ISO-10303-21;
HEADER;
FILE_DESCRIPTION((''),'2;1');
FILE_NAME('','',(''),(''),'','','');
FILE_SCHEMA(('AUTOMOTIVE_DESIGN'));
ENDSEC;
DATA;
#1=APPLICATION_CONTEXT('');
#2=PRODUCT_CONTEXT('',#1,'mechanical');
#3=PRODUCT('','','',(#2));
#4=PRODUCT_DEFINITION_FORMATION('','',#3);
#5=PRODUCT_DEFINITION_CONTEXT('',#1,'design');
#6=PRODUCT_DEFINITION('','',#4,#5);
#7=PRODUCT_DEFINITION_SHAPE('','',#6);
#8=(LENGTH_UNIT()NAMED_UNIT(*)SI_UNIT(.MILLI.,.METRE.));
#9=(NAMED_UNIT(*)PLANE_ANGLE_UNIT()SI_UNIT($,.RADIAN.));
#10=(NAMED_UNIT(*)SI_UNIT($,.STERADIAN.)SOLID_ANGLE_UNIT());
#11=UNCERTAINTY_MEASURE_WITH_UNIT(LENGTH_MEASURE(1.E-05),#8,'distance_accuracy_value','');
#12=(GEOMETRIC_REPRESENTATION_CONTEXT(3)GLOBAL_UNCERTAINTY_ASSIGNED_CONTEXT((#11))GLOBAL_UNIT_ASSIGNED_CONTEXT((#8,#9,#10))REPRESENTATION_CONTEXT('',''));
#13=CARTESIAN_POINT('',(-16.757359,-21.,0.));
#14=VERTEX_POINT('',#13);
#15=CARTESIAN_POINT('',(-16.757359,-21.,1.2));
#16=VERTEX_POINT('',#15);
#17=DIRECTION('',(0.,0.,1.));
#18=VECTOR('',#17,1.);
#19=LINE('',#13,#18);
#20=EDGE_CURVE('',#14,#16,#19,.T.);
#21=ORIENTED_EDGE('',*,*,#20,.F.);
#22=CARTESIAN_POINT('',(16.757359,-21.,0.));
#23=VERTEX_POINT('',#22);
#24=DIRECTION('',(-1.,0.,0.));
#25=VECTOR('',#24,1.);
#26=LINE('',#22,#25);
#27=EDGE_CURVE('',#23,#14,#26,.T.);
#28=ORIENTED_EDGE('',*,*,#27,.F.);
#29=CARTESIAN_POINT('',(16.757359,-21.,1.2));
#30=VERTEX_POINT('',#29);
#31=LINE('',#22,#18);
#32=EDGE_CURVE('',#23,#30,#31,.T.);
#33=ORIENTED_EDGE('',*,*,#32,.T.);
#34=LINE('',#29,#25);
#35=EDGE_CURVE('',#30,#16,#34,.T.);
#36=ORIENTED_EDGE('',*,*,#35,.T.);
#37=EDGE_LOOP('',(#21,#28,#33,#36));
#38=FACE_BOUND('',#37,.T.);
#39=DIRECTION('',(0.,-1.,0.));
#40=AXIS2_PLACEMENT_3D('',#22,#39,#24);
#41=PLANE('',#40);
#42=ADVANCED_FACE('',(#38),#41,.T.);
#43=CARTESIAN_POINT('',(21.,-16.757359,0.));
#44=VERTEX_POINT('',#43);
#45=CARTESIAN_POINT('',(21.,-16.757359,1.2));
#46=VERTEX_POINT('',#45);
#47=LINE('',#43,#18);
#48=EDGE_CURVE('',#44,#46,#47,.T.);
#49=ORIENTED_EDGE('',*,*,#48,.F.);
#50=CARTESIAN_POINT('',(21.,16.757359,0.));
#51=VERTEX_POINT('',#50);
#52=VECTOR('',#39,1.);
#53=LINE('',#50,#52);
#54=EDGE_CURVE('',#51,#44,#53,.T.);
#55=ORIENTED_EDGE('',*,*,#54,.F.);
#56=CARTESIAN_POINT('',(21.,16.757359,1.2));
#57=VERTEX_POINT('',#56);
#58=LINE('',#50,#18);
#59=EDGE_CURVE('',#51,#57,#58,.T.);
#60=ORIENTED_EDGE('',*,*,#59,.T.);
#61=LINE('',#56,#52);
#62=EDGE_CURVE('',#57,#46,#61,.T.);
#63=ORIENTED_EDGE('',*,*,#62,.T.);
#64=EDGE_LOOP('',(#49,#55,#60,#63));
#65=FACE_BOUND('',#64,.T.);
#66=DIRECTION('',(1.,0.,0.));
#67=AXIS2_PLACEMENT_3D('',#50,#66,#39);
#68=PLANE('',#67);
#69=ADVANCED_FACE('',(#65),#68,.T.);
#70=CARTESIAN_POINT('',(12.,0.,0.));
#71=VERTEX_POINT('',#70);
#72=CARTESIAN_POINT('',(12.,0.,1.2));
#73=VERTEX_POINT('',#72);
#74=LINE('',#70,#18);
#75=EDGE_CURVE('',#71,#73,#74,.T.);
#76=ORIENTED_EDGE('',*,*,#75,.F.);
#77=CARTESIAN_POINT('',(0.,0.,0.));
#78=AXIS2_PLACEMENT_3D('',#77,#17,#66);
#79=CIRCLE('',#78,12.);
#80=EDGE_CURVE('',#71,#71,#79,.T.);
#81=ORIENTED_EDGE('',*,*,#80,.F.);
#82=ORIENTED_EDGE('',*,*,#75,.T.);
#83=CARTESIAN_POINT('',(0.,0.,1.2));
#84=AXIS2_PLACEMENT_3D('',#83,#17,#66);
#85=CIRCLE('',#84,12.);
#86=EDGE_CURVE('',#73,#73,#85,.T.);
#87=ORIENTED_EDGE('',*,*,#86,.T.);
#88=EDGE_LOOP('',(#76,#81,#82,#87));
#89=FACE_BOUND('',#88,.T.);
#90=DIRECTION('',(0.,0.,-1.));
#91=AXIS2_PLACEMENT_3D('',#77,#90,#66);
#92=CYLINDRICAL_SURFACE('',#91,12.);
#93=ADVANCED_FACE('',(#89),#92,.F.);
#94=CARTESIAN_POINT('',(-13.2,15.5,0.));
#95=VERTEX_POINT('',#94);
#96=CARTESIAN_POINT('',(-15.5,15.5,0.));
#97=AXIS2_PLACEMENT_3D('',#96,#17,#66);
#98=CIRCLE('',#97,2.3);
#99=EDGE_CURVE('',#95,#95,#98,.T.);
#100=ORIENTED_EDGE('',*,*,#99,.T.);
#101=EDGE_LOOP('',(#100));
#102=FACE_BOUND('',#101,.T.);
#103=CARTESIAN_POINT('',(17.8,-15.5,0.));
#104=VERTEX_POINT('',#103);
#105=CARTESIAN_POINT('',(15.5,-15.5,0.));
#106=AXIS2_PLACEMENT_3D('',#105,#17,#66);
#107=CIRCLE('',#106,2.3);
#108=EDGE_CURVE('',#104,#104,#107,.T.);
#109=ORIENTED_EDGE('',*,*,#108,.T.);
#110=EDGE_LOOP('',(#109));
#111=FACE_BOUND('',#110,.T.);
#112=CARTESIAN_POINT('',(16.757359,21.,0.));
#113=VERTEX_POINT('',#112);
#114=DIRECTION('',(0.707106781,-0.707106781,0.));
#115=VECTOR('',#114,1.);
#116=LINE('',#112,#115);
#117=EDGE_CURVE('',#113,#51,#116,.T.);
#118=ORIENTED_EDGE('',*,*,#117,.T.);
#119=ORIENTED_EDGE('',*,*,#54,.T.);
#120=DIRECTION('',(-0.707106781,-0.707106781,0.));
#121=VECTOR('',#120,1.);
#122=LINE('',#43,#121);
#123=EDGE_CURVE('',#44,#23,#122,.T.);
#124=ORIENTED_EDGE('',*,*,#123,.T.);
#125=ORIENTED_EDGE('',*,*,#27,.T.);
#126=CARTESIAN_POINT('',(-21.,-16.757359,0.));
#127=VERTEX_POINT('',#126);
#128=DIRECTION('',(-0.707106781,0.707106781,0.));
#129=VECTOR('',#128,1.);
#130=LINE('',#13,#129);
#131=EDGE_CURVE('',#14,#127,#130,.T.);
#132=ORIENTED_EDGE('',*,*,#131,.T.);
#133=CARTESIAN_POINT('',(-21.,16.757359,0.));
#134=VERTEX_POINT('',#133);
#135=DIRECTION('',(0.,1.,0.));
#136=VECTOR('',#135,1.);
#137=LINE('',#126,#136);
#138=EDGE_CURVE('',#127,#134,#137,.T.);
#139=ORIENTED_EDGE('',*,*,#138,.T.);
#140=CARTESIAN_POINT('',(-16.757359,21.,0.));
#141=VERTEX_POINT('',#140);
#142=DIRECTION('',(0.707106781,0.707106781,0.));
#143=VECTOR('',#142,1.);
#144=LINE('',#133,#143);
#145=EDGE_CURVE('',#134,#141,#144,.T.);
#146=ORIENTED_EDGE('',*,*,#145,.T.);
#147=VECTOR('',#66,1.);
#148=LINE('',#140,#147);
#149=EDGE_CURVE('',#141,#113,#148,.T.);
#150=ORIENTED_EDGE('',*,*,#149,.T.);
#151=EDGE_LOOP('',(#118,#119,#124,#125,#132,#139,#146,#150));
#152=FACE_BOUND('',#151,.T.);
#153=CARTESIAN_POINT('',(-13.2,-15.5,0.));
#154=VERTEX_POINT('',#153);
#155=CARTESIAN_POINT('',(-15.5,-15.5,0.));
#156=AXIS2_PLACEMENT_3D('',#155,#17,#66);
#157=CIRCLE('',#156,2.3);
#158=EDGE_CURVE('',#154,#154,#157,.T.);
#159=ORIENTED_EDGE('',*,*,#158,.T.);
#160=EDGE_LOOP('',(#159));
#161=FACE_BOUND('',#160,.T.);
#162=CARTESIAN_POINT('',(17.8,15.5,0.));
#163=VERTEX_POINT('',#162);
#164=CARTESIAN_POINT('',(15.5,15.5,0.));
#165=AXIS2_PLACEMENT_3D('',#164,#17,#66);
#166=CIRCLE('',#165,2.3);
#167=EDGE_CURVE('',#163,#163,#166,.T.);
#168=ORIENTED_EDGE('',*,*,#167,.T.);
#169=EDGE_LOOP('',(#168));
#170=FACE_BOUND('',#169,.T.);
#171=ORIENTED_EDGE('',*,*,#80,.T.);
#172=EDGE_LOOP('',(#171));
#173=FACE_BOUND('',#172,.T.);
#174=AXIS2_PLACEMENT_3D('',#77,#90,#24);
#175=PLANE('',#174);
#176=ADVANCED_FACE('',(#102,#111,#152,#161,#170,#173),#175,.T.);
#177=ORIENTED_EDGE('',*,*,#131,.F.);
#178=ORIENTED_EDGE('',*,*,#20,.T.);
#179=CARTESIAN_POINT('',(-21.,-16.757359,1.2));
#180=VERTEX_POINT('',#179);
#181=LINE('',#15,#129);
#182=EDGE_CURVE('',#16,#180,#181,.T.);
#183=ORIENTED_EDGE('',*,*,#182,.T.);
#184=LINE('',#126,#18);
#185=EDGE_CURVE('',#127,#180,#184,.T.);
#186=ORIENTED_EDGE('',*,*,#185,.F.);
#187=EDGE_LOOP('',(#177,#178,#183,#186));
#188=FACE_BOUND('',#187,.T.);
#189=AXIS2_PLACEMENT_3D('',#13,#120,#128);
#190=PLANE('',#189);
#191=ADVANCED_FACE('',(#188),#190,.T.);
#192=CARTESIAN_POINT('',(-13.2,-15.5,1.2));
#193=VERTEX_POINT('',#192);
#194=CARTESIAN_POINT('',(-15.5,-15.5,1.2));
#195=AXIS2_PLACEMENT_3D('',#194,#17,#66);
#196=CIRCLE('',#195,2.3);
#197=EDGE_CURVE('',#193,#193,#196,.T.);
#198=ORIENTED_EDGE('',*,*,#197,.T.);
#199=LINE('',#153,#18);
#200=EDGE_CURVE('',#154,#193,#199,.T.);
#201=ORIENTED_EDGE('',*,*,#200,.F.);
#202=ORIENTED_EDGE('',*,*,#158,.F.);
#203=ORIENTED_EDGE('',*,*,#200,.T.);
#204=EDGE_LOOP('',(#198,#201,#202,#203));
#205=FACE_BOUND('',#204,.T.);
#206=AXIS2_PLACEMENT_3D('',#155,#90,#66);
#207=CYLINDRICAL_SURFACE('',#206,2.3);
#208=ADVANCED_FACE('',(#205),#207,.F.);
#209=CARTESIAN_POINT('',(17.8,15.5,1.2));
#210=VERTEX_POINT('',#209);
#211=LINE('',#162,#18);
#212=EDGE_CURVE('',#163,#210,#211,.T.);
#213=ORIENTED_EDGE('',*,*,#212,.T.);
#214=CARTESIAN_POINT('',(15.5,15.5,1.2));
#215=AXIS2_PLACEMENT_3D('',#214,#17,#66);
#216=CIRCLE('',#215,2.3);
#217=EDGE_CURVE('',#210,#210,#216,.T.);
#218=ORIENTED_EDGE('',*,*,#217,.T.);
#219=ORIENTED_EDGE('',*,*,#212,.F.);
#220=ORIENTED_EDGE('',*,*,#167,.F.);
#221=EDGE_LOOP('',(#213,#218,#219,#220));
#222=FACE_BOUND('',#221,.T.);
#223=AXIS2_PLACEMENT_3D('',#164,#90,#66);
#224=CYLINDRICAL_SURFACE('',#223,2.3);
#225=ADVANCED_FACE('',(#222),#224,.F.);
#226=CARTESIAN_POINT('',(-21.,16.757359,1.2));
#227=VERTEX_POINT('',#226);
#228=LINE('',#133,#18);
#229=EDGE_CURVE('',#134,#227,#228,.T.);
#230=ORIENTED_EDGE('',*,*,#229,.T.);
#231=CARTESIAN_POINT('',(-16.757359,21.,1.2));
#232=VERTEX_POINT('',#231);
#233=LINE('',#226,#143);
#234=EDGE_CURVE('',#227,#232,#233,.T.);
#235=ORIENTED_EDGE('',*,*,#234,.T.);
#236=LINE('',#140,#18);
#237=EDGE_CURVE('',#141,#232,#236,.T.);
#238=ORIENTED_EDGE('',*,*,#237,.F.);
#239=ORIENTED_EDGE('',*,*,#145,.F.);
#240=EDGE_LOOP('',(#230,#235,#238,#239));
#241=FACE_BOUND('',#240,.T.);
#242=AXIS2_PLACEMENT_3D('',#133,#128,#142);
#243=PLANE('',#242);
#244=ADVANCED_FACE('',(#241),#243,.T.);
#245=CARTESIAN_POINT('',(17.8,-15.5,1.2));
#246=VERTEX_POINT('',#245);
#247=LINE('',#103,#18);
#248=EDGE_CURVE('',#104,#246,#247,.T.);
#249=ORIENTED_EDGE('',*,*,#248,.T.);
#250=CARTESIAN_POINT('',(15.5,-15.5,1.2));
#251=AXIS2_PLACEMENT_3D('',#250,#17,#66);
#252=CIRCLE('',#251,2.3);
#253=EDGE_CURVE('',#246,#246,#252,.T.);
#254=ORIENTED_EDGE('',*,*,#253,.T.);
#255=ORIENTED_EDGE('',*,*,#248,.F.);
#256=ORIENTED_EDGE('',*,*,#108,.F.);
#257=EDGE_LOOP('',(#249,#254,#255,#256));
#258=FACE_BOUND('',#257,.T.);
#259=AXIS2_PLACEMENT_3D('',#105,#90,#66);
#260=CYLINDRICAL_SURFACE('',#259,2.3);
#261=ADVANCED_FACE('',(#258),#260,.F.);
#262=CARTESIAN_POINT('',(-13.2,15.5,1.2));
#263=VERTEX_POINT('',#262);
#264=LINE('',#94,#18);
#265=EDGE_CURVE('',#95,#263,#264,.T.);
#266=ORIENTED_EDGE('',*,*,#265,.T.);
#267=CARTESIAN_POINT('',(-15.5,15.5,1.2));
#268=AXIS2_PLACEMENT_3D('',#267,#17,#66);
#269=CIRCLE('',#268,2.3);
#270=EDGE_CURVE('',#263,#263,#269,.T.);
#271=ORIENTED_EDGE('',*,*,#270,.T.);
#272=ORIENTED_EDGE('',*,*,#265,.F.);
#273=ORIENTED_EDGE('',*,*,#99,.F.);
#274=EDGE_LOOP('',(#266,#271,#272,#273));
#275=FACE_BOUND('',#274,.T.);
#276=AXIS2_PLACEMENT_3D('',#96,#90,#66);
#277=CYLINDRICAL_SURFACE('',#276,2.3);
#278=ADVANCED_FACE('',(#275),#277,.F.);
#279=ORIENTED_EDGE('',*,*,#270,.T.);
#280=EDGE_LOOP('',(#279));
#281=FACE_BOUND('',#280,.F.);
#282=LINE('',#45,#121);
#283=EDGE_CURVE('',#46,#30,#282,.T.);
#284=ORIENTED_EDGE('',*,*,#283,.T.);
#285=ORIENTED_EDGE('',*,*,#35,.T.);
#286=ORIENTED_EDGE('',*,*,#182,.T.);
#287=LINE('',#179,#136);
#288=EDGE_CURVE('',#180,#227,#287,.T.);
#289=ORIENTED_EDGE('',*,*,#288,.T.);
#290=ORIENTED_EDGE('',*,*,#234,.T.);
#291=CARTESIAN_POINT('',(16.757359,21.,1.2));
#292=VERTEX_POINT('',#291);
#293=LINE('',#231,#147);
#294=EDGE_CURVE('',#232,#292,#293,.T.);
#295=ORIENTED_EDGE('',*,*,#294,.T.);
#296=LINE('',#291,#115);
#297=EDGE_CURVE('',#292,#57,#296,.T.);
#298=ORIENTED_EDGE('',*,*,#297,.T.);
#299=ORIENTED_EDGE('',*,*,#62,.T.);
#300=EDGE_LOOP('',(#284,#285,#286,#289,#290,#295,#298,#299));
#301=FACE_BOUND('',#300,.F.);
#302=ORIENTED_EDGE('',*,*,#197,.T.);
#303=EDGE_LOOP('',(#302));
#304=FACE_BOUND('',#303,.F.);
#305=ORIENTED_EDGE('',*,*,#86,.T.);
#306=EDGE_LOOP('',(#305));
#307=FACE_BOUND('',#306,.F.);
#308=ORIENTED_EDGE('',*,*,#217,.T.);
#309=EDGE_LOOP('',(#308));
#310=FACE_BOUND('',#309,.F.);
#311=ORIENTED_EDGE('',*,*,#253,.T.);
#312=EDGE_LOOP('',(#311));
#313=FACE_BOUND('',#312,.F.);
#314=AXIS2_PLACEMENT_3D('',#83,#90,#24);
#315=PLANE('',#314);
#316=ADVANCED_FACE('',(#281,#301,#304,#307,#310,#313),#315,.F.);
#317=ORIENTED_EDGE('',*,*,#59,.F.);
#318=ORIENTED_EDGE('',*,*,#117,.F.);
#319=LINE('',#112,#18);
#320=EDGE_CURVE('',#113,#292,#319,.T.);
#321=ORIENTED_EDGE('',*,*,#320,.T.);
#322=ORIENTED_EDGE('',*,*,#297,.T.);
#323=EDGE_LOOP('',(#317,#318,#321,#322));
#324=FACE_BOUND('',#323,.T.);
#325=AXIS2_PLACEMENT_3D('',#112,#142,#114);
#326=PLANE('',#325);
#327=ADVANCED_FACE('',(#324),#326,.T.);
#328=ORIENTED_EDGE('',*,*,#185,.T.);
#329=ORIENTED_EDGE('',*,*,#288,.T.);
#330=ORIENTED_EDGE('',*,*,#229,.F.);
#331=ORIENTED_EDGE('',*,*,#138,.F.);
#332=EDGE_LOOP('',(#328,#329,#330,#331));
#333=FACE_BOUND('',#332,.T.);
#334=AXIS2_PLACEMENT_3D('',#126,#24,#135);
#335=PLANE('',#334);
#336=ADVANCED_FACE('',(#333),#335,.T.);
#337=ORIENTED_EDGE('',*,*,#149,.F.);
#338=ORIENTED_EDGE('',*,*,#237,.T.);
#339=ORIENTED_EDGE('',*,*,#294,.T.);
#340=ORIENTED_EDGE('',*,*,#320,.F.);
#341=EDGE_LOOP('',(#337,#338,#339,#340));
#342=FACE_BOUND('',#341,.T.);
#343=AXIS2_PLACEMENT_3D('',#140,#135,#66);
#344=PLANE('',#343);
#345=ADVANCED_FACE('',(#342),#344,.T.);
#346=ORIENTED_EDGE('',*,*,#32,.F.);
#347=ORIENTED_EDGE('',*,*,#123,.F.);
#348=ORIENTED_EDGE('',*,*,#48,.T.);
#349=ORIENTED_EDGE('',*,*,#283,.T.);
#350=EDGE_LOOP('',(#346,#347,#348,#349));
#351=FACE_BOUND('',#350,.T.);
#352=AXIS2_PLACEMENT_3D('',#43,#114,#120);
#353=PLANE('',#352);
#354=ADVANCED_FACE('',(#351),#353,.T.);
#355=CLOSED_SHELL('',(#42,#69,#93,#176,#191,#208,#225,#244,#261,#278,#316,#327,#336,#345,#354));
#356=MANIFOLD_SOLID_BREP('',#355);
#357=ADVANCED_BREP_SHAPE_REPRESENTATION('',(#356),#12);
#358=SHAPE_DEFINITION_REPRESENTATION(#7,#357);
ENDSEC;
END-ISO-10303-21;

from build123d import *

# Parameters (mm, degrees)
SKETCH_R   = 2.3
SKETCH_R_2 = 12
PAD_DEPTH  = 1.2


with BuildPart() as part:
    # Sketch → Pad (new body)
    with BuildSketch(Plane.XY):
        Polygon((-16.757359, 21), (16.757359, 21), (21, 16.757359), (21, -16.757359), (16.757359, -21), (-16.757359, -21), (-21, -16.757359), (-21, 16.757359), align=None)
        with Locations((-15.5, 15.5)):
            Circle(SKETCH_R, mode=Mode.SUBTRACT)
        with Locations((15.5, 15.5)):
            Circle(SKETCH_R, mode=Mode.SUBTRACT)
        with Locations((15.5, -15.5)):
            Circle(SKETCH_R, mode=Mode.SUBTRACT)
        with Locations((-15.5, -15.5)):
            Circle(SKETCH_R, mode=Mode.SUBTRACT)
        Circle(SKETCH_R_2, mode=Mode.SUBTRACT)
    extrude(amount=PAD_DEPTH)


solid = part.part
